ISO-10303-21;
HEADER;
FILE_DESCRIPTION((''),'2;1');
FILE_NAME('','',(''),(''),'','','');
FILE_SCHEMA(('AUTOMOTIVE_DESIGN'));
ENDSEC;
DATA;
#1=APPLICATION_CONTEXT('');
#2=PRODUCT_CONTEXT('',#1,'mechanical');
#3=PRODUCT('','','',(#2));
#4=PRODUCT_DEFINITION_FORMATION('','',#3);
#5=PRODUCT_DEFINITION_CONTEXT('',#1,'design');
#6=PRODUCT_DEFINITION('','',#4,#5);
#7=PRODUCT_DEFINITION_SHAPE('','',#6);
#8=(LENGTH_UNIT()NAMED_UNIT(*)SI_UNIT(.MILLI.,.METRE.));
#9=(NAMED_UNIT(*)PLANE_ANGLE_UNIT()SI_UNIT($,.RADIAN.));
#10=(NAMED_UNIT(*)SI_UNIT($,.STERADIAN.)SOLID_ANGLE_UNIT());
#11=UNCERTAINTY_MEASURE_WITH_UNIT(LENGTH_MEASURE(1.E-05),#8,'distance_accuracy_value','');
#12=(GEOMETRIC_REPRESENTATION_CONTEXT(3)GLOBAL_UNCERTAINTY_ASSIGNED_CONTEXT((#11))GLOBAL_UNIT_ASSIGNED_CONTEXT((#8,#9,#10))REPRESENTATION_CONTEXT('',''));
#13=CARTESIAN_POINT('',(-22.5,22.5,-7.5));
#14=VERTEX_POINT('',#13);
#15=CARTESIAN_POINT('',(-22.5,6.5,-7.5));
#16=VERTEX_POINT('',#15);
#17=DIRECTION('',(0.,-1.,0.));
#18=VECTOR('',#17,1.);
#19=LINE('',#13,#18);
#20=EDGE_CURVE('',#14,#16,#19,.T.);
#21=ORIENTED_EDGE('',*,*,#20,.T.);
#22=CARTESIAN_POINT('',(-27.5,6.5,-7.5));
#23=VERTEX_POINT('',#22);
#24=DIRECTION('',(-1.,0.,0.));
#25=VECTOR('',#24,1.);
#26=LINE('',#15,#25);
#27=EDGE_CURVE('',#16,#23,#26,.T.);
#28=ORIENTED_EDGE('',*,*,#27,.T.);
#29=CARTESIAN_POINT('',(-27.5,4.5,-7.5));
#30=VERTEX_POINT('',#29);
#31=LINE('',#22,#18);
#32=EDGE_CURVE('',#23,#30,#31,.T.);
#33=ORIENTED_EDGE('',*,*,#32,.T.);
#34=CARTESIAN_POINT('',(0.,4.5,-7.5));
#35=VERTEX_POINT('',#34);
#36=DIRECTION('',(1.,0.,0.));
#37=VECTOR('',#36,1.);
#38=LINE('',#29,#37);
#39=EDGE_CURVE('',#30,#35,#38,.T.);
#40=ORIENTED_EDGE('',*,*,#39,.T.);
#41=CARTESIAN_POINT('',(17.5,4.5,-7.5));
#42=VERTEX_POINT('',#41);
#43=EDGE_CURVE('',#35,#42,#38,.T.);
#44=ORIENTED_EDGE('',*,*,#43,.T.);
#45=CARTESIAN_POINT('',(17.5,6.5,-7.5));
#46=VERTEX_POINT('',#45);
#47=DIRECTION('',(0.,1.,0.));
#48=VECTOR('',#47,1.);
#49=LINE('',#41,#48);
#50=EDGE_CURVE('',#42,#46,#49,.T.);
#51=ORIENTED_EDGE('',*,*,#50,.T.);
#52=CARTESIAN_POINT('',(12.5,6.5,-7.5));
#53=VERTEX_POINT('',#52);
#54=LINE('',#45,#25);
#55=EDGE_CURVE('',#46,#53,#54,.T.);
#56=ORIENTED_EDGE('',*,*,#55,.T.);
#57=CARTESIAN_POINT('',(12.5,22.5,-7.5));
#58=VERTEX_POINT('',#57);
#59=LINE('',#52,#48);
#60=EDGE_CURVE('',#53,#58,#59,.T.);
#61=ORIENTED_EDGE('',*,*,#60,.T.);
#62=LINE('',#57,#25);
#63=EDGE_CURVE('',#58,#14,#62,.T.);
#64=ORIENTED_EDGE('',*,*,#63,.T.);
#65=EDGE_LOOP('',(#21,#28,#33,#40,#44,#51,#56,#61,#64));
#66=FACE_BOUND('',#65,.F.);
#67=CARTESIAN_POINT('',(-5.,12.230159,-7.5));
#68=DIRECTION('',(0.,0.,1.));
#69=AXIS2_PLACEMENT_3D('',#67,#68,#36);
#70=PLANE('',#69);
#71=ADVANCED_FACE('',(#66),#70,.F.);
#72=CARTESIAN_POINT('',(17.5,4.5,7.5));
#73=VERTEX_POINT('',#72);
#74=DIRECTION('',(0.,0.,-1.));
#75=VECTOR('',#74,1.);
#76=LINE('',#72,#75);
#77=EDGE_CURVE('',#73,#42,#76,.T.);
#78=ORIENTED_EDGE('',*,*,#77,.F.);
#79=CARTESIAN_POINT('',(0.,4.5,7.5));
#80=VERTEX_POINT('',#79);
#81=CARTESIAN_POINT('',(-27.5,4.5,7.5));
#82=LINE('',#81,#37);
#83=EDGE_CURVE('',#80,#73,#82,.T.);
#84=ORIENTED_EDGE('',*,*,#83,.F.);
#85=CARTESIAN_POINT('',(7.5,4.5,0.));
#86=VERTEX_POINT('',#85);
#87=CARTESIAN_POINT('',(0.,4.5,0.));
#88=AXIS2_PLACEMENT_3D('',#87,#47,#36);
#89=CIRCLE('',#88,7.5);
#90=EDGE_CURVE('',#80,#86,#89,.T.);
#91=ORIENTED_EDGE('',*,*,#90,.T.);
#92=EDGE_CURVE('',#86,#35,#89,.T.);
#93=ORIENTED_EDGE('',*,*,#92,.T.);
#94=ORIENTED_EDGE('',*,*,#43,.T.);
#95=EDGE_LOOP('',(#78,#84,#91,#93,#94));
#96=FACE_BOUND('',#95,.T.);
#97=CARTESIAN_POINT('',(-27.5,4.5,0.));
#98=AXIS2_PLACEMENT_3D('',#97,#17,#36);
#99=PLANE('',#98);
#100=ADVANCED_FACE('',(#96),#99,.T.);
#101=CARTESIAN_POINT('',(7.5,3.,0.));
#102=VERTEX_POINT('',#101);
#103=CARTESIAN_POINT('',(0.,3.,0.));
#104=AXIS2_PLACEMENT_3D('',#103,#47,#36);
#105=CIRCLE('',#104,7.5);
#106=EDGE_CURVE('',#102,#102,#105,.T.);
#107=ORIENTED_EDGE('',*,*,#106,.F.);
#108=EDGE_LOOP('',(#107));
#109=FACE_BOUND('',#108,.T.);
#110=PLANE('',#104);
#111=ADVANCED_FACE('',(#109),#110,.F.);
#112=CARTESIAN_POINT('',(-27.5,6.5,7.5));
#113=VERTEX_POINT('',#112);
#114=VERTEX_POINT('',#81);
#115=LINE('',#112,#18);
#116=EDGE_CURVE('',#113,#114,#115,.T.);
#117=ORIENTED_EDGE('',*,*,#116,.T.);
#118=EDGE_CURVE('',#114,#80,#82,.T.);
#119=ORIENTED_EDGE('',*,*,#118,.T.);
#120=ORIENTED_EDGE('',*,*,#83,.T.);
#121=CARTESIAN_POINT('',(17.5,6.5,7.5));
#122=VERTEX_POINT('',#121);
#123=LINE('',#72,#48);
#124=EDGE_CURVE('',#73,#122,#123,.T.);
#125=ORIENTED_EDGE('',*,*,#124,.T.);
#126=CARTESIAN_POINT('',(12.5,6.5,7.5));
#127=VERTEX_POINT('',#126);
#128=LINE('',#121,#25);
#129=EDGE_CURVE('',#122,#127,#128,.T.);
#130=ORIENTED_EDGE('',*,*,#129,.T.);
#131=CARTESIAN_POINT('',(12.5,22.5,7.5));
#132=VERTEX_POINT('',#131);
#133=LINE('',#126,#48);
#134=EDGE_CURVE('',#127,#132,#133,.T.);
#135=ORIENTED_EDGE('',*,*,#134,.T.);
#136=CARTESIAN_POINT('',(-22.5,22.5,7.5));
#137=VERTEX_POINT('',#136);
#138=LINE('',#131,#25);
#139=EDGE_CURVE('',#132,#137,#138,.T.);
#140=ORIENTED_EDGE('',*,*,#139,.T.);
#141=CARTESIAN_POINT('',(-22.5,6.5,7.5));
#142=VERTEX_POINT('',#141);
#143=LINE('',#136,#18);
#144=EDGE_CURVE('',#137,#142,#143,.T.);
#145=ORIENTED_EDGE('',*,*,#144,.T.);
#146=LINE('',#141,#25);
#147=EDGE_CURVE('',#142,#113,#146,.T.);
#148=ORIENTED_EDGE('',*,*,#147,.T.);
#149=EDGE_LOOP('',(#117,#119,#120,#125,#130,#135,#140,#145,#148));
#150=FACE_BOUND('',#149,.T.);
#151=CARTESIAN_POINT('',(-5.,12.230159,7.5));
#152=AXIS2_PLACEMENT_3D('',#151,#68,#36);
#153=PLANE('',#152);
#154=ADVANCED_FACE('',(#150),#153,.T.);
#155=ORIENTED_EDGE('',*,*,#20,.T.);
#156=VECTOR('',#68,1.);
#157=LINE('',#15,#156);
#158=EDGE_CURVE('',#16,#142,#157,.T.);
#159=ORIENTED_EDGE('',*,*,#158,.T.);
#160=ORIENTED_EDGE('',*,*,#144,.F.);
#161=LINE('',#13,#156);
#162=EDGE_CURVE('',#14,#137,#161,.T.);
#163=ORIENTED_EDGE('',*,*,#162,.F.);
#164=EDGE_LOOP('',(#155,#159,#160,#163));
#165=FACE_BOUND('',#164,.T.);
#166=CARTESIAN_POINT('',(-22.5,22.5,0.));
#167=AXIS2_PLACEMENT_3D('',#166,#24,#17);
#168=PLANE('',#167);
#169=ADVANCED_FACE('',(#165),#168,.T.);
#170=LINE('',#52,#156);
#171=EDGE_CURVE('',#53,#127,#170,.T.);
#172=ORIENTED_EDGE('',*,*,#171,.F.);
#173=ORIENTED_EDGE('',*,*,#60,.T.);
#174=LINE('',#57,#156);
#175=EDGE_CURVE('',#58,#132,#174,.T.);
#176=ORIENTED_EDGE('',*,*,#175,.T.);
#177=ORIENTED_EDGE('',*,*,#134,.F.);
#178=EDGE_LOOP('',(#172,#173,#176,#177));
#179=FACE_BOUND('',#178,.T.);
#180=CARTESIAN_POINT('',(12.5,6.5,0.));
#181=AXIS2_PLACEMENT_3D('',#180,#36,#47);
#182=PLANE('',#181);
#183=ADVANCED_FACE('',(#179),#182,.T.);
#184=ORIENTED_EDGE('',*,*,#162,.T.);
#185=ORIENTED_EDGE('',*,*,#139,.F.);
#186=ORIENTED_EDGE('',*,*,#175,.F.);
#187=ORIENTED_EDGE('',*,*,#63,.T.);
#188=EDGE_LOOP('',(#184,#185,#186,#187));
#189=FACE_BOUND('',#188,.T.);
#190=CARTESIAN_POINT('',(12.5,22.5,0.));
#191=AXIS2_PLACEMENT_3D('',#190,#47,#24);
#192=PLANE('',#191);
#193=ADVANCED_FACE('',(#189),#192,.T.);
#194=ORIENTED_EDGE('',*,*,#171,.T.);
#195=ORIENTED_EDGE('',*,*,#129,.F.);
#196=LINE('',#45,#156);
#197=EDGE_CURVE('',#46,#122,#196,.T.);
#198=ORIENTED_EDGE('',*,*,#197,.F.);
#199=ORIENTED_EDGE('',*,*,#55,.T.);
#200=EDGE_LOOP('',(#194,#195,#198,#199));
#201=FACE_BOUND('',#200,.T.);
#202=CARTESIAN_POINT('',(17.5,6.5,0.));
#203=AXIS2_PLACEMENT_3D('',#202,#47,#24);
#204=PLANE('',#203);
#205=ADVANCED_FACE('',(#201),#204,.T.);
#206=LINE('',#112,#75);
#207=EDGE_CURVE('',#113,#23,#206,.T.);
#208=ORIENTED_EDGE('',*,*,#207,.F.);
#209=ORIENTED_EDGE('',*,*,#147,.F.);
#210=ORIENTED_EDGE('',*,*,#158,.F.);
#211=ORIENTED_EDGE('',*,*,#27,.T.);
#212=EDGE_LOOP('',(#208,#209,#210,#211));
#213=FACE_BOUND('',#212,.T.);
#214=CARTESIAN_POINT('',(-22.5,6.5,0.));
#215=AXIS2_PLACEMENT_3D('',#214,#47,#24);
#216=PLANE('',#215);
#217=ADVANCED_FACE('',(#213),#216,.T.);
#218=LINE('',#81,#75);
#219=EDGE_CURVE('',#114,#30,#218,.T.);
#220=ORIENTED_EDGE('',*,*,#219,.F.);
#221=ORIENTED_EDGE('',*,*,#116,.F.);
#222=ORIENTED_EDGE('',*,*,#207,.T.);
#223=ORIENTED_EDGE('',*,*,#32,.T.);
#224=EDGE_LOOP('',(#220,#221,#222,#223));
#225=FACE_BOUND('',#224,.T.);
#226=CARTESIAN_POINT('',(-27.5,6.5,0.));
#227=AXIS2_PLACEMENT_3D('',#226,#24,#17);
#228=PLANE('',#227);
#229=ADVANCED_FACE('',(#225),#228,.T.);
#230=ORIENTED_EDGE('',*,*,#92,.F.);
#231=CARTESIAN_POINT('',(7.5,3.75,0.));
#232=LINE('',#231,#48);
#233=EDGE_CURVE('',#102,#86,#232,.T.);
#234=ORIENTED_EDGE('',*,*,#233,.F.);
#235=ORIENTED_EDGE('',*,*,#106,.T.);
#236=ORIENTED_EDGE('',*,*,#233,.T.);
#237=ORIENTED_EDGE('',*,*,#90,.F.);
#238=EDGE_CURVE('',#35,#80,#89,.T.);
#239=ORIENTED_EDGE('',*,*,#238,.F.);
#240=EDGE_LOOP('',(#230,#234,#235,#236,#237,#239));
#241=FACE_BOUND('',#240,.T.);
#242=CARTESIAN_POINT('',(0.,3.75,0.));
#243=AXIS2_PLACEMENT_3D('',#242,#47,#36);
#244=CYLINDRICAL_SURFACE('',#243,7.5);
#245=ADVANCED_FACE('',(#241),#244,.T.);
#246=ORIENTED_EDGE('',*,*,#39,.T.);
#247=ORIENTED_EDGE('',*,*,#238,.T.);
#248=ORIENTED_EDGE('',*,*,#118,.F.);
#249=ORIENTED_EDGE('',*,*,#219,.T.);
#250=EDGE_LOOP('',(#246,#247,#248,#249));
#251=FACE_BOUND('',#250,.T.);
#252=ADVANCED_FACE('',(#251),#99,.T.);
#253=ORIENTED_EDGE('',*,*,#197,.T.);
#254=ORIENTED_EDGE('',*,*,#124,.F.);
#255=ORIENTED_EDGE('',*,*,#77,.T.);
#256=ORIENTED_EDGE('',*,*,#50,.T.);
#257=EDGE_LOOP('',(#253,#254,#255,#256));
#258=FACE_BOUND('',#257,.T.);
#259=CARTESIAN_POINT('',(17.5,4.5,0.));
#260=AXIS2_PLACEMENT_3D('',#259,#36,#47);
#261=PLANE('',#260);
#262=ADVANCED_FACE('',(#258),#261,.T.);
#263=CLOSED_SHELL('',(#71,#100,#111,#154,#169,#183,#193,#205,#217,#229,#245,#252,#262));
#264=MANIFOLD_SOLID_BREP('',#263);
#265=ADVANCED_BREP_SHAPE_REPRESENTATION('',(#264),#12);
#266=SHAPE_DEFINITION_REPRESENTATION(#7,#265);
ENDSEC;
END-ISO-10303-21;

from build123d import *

# Parameters (mm, degrees)
F1_DEPTH = 7.5
F0_W     = 7.5
F0_H     = 1.5


with BuildPart() as f1:
    # F0 (on Top) → F1 (new body, symmetric)
    with BuildSketch(Plane.XY):
        Polygon((-7.5, 4.5), (0, 4.5), (7.5, 4.5), (17.5, 4.5), (17.5, 6.5), (12.5, 6.5), (12.5, 22.5), (-22.5, 22.5), (-22.5, 6.5), (-27.5, 6.5), (-27.5, 4.5), align=None)
    extrude(amount=F1_DEPTH, both=True)

    # F0 (on Top) → F2 (revolve)
    with BuildSketch(Plane.XY):
        with Locations((3.75, 3.75)):
            Rectangle(F0_W, F0_H)
    revolve(axis=Axis((0, 2.25, 0), (0, 1, 0)))


solid = f1.part
